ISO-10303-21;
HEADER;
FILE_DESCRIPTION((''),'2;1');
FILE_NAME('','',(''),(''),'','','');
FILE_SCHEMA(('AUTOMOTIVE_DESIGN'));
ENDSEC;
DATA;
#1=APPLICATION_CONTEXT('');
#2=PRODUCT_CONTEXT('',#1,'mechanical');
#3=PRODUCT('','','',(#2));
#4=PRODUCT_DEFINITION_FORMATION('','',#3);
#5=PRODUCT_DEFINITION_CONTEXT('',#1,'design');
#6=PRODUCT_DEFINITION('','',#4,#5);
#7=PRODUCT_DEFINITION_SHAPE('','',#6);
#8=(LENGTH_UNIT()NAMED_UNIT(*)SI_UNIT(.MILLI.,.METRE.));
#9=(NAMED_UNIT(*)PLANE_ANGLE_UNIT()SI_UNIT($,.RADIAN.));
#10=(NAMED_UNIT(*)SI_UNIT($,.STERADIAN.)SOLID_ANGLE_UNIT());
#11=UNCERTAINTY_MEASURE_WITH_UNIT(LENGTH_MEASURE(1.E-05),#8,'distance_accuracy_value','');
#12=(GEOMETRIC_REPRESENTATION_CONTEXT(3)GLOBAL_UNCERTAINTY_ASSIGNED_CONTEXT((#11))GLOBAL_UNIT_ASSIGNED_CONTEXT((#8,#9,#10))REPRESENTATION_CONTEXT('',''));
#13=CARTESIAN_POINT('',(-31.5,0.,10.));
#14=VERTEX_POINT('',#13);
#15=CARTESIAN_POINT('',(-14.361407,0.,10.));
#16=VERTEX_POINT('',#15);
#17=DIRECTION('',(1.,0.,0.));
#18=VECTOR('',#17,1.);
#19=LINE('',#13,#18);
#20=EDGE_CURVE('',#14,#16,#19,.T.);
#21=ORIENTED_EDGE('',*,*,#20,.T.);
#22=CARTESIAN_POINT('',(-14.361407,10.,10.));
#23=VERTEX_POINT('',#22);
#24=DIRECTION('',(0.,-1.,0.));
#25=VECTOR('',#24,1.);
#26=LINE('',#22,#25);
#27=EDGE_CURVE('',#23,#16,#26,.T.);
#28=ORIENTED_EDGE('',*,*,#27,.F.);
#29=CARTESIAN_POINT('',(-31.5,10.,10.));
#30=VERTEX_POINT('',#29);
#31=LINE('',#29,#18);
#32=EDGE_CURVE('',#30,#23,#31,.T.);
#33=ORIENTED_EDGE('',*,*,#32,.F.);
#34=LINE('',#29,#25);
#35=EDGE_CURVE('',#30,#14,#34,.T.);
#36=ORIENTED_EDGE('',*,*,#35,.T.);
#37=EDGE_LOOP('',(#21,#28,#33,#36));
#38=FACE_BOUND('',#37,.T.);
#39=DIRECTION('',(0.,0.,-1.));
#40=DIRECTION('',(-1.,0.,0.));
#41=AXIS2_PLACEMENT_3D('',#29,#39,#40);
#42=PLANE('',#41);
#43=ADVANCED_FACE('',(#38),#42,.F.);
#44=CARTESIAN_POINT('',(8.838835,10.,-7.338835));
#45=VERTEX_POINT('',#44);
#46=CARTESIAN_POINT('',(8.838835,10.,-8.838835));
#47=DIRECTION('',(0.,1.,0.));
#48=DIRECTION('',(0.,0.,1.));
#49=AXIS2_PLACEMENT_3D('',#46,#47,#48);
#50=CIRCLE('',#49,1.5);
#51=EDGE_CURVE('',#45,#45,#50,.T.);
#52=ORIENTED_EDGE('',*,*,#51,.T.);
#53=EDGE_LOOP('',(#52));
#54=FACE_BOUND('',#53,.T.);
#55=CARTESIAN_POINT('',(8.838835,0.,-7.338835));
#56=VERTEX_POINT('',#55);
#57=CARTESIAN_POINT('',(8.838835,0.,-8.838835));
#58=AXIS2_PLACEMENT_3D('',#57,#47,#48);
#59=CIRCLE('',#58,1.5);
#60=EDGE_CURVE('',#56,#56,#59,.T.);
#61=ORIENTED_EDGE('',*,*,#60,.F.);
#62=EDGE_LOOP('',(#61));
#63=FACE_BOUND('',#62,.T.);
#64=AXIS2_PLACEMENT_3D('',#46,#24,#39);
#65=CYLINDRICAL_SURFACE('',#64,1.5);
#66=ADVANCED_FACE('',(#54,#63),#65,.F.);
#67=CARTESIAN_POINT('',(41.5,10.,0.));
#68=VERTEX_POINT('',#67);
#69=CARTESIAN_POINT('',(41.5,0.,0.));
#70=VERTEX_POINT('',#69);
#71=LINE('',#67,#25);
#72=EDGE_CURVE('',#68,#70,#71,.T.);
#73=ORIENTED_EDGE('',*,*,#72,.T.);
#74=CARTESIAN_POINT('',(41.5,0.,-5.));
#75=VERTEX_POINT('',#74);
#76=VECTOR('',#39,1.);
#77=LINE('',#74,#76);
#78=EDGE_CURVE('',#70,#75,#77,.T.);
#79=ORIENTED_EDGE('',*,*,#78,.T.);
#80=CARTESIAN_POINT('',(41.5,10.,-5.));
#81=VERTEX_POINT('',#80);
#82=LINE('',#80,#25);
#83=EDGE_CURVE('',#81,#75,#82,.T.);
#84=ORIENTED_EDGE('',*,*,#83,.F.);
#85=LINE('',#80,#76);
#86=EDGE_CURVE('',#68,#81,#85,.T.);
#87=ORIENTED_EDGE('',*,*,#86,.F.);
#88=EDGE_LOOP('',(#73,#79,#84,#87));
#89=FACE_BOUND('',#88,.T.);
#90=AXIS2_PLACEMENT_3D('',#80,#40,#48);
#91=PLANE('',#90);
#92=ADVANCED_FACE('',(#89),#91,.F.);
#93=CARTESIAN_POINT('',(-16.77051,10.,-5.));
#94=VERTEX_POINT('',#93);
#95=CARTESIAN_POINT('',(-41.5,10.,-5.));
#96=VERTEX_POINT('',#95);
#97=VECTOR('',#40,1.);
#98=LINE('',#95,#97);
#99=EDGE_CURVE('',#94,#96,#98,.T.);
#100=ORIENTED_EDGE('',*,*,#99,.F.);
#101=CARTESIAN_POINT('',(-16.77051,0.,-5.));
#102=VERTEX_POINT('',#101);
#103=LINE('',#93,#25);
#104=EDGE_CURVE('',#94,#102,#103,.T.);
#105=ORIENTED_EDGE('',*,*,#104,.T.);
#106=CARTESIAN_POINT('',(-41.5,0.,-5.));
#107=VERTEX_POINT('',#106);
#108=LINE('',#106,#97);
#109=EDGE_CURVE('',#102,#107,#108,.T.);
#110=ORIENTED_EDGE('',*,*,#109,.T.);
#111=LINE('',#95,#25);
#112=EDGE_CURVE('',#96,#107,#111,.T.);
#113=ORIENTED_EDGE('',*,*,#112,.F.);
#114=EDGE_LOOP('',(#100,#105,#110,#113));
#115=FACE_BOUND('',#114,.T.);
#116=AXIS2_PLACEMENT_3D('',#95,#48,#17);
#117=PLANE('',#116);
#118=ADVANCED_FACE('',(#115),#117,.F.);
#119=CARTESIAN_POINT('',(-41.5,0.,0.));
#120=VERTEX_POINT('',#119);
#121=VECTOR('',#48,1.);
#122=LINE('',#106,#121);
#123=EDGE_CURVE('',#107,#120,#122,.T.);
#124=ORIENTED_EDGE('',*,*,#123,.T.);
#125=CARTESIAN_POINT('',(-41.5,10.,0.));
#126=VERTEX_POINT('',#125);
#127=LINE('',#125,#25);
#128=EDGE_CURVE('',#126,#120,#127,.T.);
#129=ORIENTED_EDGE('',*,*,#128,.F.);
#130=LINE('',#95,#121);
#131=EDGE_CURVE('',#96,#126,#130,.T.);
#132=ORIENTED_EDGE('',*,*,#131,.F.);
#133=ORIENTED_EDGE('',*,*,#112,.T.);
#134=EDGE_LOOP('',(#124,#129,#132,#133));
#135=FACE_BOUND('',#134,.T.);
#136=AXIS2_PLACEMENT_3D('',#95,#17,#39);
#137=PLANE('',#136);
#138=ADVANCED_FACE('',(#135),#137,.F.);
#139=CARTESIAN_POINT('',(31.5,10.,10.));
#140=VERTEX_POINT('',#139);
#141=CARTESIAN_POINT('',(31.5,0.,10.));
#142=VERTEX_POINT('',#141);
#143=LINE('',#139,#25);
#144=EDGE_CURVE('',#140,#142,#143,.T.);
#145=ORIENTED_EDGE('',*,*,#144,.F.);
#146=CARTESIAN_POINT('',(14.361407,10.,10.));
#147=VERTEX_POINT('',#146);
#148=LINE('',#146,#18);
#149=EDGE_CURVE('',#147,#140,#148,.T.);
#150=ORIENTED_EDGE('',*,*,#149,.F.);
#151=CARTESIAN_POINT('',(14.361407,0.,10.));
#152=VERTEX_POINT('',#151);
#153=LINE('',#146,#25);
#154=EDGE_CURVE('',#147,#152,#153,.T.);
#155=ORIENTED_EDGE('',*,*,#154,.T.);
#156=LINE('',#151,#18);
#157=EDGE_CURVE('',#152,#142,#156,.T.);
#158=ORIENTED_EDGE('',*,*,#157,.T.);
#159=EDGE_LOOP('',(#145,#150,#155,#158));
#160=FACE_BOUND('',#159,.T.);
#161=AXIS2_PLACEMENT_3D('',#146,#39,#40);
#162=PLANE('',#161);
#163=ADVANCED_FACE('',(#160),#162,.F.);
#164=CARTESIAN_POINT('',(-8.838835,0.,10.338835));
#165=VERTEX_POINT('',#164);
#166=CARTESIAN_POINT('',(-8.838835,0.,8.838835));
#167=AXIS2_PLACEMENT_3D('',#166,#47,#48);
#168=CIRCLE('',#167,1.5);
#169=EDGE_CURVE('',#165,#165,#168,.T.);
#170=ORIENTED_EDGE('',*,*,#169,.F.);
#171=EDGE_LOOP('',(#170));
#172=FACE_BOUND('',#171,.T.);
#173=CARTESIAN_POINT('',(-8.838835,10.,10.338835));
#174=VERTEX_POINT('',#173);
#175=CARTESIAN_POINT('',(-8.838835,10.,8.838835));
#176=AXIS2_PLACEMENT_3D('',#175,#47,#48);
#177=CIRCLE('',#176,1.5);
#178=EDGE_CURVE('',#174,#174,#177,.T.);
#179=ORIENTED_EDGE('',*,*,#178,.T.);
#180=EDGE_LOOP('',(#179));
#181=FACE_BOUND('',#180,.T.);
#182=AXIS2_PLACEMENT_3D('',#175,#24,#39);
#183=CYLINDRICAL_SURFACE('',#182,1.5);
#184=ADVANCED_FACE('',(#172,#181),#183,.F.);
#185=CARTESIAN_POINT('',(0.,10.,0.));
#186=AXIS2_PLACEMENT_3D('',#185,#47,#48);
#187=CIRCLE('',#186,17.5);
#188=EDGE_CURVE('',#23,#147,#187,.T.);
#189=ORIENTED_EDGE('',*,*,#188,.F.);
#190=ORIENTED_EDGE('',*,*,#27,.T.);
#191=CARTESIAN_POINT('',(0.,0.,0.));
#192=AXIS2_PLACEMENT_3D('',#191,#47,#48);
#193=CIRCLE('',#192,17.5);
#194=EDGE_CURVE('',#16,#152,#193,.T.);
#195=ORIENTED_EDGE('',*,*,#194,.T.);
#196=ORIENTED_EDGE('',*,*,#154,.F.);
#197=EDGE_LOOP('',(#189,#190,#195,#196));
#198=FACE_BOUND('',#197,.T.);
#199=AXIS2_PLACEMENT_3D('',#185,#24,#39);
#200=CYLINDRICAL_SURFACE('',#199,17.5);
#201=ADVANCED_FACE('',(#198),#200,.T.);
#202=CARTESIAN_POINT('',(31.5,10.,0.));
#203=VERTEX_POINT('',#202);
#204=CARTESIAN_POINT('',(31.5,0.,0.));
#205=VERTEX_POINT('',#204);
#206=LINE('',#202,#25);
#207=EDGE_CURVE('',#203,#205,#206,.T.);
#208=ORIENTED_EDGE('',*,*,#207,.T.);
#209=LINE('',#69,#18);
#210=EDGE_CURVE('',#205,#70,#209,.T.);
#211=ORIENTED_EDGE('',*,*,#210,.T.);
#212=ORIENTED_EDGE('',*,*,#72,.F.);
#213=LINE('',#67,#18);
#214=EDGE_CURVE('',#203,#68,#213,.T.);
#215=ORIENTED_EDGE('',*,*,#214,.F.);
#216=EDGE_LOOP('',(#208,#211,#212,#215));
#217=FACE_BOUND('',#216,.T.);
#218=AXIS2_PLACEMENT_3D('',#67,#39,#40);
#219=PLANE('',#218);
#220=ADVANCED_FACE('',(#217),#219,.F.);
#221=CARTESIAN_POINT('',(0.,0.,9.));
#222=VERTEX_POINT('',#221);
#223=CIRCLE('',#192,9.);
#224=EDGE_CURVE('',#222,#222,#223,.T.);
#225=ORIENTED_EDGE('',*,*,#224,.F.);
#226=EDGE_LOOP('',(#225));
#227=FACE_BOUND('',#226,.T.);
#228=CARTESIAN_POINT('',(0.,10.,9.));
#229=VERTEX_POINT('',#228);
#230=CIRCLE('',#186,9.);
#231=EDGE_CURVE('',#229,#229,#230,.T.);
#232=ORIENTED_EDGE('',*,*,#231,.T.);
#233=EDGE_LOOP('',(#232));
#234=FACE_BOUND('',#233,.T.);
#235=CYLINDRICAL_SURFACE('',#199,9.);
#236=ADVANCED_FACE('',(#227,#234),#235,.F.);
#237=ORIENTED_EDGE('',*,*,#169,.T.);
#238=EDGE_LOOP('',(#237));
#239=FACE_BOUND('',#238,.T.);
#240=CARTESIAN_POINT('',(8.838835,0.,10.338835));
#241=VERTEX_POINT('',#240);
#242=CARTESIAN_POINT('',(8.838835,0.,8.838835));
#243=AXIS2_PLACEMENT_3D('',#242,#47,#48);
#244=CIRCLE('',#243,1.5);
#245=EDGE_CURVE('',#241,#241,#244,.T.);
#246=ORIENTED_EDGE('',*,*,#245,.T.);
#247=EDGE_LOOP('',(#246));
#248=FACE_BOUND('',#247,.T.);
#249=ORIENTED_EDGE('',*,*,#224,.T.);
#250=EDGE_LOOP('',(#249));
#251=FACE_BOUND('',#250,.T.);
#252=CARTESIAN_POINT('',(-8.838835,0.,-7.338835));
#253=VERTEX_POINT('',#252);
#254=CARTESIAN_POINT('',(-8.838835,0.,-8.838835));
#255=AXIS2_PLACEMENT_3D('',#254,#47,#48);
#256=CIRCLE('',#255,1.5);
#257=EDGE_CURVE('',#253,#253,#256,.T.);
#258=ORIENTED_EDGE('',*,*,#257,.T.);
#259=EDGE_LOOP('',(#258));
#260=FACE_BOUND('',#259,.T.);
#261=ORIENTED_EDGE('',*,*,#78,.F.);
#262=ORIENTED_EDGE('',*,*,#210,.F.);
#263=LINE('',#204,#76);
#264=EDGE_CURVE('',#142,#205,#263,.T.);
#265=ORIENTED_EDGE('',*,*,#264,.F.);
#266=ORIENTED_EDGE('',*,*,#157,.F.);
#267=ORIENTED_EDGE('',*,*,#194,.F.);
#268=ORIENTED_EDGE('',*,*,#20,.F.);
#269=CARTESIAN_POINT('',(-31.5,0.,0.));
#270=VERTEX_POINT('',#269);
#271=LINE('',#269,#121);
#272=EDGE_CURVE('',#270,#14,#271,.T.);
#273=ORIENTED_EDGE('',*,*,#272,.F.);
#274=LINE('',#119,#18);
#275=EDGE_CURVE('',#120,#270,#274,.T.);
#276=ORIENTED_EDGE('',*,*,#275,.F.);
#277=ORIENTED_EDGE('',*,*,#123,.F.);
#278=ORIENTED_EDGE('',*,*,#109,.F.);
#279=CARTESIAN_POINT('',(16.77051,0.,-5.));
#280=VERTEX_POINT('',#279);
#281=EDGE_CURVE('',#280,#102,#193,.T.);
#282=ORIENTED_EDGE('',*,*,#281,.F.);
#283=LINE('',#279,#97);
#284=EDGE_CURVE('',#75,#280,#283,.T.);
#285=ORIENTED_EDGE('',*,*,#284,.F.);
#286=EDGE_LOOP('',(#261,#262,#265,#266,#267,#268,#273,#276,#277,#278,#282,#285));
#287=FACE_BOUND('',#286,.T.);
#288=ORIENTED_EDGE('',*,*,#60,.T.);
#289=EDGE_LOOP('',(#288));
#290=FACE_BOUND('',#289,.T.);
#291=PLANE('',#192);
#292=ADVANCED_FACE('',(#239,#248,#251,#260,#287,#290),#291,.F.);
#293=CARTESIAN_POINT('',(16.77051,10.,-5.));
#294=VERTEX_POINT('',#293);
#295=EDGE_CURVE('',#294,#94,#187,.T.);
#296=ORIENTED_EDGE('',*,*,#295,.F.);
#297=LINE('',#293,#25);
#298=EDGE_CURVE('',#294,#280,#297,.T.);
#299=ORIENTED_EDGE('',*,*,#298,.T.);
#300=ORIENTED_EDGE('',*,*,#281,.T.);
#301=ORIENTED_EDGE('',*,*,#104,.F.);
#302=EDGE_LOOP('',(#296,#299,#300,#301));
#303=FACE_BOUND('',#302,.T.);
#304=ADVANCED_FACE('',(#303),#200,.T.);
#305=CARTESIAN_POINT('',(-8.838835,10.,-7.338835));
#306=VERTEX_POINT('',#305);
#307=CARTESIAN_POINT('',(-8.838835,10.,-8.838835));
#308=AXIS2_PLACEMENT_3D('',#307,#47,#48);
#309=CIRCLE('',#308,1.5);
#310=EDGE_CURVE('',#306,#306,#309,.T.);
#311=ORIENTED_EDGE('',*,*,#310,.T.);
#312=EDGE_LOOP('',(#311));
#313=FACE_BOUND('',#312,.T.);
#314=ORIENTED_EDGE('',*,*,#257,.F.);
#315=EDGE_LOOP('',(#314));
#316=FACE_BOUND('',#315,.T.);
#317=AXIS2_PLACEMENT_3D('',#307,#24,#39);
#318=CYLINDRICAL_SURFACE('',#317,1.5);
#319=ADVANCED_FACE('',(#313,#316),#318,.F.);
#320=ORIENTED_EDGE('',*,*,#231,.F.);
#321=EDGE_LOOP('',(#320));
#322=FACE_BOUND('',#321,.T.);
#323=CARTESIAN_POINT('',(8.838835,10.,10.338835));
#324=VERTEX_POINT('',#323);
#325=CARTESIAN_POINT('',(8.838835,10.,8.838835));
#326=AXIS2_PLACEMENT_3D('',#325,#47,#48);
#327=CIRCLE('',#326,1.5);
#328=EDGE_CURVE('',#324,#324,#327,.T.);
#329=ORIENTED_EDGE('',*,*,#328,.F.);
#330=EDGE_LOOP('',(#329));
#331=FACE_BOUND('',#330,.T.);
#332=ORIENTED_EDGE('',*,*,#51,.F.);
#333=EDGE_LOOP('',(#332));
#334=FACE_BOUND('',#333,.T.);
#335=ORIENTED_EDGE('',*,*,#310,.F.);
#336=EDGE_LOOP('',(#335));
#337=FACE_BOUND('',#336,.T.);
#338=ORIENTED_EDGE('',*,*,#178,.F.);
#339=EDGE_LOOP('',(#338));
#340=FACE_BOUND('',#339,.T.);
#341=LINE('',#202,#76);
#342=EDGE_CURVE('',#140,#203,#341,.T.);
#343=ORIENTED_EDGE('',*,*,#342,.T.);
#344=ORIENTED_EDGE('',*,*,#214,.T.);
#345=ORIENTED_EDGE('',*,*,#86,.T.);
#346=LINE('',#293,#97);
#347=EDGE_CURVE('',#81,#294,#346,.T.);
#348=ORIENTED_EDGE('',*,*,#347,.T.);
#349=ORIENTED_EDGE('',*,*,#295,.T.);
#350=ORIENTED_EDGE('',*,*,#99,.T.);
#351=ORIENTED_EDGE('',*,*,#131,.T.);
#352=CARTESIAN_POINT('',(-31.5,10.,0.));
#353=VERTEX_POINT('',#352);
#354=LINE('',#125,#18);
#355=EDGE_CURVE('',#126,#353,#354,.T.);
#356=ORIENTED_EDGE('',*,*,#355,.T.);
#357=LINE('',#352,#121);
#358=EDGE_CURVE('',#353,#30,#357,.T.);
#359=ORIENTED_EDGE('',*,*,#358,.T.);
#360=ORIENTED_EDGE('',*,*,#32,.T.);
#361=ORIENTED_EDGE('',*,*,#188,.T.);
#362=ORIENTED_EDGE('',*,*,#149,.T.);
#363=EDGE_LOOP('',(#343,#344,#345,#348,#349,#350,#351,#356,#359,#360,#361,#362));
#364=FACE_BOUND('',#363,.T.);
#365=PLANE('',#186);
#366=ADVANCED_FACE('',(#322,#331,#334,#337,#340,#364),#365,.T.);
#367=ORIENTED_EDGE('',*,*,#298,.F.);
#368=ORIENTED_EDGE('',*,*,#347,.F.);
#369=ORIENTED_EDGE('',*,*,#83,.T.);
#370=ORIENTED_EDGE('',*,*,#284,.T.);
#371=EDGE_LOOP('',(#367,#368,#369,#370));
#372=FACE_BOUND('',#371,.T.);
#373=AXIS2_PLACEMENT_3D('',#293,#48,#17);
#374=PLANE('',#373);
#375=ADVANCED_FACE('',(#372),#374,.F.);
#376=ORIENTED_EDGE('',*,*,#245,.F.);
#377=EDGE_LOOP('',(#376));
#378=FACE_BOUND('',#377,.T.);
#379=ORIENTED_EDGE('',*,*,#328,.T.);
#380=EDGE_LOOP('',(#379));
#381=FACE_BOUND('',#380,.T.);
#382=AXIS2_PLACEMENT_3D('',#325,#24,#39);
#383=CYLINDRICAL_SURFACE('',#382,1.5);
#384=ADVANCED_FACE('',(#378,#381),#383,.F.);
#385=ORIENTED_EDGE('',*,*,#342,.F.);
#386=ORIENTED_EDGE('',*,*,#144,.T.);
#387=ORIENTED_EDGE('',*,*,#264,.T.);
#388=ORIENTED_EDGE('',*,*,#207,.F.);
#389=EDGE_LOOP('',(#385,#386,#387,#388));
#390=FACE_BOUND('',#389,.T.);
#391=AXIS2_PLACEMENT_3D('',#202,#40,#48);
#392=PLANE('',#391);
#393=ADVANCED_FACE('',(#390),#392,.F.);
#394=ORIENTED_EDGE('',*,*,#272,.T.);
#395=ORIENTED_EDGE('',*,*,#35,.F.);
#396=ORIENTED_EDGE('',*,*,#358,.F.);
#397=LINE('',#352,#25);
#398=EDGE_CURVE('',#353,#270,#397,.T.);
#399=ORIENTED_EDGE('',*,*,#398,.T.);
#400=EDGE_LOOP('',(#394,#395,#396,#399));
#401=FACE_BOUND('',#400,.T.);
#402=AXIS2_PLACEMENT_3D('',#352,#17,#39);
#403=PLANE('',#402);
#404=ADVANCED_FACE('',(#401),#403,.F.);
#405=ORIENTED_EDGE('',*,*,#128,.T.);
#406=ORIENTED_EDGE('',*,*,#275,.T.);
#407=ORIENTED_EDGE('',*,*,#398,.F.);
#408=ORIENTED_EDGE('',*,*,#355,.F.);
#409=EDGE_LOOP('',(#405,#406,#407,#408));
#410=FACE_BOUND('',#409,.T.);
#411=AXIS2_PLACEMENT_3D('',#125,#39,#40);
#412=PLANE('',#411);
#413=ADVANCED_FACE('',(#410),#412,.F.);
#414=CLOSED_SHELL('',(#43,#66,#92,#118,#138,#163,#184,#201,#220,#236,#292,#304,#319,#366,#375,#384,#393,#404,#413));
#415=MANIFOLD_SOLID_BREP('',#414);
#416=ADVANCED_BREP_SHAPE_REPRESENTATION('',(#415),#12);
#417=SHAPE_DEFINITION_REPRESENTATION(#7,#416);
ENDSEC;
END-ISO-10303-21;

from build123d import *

# Parameters (mm, degrees)
SKETCH_1_R      = 9
SKETCH_1_R_2    = 1.5
EXTRUDE_1_DEPTH = 10


with BuildPart() as part:
    # Эскиз1 → Бобышка-Вытянуть1 (new body)
    with BuildSketch(Plane(origin=(0, 0, 0), x_dir=(1, 0, 0), z_dir=(0, 1, 0))):
        with BuildLine():
            Line((-31.5, 0), (-31.5, -10))
            Line((-31.5, -10), (-14.361406616, -10))
            ThreePointArc((-14.361406616, -10), (0, -17.5), (14.361406616, -10))
            Line((14.361406616, -10), (31.5, -10))
            Line((31.5, -10), (31.5, 0))
            Line((31.5, 0), (41.5, 0))
            Line((41.5, 0), (41.5, 5))
            Line((41.5, 5), (16.770509831, 5))
            ThreePointArc((16.770509831, 5), (0, 17.5), (-16.770509831, 5))
            Line((-16.770509831, 5), (-41.5, 5))
            Line((-41.5, 5), (-41.5, 0))
            Line((-41.5, 0), (-31.5, 0))
        make_face()
        with Locations(Location((0, 0, 0), (0, 0, 270))):
            Circle(SKETCH_1_R, mode=Mode.SUBTRACT)
        with Locations(Location((-8.838834765, 8.838834765, 0), (0, 0, 270))):
            Circle(SKETCH_1_R_2, mode=Mode.SUBTRACT)
        with Locations(Location((8.838834765, 8.838834765, 0), (0, 0, 270))):
            Circle(SKETCH_1_R_2, mode=Mode.SUBTRACT)
        with Locations(Location((8.838834765, -8.838834765, 0), (0, 0, 270))):
            Circle(SKETCH_1_R_2, mode=Mode.SUBTRACT)
        with Locations(Location((-8.838834765, -8.838834765, 0), (0, 0, 270))):
            Circle(SKETCH_1_R_2, mode=Mode.SUBTRACT)
    extrude(amount=EXTRUDE_1_DEPTH)


solid = part.part
